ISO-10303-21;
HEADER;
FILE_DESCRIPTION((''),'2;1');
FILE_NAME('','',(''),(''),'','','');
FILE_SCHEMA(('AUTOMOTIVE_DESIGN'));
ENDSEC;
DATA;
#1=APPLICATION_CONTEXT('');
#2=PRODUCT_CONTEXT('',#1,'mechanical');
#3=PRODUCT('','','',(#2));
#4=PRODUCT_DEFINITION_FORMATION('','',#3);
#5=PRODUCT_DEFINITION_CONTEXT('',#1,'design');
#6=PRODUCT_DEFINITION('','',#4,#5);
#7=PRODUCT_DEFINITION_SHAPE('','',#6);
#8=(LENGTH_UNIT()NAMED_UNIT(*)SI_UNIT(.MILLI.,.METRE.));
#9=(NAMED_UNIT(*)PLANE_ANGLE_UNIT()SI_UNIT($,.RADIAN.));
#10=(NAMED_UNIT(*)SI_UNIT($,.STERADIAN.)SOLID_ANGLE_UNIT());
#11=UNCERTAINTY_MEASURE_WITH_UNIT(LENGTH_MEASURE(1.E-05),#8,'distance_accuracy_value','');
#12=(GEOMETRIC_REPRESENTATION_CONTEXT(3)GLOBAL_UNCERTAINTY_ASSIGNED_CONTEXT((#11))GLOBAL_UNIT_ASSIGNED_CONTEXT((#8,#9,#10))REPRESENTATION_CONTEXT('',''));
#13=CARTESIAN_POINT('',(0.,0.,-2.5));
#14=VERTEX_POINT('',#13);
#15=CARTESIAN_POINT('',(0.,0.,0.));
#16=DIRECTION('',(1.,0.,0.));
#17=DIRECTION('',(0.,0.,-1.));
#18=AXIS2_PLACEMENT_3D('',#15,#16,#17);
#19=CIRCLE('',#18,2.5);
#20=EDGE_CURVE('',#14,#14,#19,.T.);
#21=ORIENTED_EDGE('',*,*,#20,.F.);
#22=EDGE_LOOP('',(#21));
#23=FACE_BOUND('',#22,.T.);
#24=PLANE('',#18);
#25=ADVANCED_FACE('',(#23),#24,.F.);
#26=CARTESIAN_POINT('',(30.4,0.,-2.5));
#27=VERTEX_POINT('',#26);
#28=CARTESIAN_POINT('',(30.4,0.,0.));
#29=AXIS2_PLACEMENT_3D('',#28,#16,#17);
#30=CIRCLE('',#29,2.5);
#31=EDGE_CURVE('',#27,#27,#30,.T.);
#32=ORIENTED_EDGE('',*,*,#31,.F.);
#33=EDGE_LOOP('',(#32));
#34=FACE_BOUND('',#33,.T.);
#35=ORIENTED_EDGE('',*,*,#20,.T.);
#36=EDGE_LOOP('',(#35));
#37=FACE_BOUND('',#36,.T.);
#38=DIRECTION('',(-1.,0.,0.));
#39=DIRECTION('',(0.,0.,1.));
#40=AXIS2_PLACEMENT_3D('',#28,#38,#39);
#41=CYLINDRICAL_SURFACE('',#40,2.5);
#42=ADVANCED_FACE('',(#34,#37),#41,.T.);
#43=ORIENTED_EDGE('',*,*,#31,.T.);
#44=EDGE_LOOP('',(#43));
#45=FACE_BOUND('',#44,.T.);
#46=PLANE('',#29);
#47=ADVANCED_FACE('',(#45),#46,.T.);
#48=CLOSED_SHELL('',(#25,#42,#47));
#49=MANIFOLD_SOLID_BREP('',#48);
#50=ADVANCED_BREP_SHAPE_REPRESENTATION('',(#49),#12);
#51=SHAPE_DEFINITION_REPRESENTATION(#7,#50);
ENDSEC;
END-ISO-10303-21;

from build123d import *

# Parameters (mm, degrees)
SKETCH1_R           = 2.5
BOSS_EXTRUDE1_DEPTH = 30.4


with BuildPart() as part:
    # Sketch1 → Boss-Extrude1 (new body)
    with BuildSketch(Plane.YZ):
        Circle(SKETCH1_R)
    extrude(amount=BOSS_EXTRUDE1_DEPTH)


solid = part.part
